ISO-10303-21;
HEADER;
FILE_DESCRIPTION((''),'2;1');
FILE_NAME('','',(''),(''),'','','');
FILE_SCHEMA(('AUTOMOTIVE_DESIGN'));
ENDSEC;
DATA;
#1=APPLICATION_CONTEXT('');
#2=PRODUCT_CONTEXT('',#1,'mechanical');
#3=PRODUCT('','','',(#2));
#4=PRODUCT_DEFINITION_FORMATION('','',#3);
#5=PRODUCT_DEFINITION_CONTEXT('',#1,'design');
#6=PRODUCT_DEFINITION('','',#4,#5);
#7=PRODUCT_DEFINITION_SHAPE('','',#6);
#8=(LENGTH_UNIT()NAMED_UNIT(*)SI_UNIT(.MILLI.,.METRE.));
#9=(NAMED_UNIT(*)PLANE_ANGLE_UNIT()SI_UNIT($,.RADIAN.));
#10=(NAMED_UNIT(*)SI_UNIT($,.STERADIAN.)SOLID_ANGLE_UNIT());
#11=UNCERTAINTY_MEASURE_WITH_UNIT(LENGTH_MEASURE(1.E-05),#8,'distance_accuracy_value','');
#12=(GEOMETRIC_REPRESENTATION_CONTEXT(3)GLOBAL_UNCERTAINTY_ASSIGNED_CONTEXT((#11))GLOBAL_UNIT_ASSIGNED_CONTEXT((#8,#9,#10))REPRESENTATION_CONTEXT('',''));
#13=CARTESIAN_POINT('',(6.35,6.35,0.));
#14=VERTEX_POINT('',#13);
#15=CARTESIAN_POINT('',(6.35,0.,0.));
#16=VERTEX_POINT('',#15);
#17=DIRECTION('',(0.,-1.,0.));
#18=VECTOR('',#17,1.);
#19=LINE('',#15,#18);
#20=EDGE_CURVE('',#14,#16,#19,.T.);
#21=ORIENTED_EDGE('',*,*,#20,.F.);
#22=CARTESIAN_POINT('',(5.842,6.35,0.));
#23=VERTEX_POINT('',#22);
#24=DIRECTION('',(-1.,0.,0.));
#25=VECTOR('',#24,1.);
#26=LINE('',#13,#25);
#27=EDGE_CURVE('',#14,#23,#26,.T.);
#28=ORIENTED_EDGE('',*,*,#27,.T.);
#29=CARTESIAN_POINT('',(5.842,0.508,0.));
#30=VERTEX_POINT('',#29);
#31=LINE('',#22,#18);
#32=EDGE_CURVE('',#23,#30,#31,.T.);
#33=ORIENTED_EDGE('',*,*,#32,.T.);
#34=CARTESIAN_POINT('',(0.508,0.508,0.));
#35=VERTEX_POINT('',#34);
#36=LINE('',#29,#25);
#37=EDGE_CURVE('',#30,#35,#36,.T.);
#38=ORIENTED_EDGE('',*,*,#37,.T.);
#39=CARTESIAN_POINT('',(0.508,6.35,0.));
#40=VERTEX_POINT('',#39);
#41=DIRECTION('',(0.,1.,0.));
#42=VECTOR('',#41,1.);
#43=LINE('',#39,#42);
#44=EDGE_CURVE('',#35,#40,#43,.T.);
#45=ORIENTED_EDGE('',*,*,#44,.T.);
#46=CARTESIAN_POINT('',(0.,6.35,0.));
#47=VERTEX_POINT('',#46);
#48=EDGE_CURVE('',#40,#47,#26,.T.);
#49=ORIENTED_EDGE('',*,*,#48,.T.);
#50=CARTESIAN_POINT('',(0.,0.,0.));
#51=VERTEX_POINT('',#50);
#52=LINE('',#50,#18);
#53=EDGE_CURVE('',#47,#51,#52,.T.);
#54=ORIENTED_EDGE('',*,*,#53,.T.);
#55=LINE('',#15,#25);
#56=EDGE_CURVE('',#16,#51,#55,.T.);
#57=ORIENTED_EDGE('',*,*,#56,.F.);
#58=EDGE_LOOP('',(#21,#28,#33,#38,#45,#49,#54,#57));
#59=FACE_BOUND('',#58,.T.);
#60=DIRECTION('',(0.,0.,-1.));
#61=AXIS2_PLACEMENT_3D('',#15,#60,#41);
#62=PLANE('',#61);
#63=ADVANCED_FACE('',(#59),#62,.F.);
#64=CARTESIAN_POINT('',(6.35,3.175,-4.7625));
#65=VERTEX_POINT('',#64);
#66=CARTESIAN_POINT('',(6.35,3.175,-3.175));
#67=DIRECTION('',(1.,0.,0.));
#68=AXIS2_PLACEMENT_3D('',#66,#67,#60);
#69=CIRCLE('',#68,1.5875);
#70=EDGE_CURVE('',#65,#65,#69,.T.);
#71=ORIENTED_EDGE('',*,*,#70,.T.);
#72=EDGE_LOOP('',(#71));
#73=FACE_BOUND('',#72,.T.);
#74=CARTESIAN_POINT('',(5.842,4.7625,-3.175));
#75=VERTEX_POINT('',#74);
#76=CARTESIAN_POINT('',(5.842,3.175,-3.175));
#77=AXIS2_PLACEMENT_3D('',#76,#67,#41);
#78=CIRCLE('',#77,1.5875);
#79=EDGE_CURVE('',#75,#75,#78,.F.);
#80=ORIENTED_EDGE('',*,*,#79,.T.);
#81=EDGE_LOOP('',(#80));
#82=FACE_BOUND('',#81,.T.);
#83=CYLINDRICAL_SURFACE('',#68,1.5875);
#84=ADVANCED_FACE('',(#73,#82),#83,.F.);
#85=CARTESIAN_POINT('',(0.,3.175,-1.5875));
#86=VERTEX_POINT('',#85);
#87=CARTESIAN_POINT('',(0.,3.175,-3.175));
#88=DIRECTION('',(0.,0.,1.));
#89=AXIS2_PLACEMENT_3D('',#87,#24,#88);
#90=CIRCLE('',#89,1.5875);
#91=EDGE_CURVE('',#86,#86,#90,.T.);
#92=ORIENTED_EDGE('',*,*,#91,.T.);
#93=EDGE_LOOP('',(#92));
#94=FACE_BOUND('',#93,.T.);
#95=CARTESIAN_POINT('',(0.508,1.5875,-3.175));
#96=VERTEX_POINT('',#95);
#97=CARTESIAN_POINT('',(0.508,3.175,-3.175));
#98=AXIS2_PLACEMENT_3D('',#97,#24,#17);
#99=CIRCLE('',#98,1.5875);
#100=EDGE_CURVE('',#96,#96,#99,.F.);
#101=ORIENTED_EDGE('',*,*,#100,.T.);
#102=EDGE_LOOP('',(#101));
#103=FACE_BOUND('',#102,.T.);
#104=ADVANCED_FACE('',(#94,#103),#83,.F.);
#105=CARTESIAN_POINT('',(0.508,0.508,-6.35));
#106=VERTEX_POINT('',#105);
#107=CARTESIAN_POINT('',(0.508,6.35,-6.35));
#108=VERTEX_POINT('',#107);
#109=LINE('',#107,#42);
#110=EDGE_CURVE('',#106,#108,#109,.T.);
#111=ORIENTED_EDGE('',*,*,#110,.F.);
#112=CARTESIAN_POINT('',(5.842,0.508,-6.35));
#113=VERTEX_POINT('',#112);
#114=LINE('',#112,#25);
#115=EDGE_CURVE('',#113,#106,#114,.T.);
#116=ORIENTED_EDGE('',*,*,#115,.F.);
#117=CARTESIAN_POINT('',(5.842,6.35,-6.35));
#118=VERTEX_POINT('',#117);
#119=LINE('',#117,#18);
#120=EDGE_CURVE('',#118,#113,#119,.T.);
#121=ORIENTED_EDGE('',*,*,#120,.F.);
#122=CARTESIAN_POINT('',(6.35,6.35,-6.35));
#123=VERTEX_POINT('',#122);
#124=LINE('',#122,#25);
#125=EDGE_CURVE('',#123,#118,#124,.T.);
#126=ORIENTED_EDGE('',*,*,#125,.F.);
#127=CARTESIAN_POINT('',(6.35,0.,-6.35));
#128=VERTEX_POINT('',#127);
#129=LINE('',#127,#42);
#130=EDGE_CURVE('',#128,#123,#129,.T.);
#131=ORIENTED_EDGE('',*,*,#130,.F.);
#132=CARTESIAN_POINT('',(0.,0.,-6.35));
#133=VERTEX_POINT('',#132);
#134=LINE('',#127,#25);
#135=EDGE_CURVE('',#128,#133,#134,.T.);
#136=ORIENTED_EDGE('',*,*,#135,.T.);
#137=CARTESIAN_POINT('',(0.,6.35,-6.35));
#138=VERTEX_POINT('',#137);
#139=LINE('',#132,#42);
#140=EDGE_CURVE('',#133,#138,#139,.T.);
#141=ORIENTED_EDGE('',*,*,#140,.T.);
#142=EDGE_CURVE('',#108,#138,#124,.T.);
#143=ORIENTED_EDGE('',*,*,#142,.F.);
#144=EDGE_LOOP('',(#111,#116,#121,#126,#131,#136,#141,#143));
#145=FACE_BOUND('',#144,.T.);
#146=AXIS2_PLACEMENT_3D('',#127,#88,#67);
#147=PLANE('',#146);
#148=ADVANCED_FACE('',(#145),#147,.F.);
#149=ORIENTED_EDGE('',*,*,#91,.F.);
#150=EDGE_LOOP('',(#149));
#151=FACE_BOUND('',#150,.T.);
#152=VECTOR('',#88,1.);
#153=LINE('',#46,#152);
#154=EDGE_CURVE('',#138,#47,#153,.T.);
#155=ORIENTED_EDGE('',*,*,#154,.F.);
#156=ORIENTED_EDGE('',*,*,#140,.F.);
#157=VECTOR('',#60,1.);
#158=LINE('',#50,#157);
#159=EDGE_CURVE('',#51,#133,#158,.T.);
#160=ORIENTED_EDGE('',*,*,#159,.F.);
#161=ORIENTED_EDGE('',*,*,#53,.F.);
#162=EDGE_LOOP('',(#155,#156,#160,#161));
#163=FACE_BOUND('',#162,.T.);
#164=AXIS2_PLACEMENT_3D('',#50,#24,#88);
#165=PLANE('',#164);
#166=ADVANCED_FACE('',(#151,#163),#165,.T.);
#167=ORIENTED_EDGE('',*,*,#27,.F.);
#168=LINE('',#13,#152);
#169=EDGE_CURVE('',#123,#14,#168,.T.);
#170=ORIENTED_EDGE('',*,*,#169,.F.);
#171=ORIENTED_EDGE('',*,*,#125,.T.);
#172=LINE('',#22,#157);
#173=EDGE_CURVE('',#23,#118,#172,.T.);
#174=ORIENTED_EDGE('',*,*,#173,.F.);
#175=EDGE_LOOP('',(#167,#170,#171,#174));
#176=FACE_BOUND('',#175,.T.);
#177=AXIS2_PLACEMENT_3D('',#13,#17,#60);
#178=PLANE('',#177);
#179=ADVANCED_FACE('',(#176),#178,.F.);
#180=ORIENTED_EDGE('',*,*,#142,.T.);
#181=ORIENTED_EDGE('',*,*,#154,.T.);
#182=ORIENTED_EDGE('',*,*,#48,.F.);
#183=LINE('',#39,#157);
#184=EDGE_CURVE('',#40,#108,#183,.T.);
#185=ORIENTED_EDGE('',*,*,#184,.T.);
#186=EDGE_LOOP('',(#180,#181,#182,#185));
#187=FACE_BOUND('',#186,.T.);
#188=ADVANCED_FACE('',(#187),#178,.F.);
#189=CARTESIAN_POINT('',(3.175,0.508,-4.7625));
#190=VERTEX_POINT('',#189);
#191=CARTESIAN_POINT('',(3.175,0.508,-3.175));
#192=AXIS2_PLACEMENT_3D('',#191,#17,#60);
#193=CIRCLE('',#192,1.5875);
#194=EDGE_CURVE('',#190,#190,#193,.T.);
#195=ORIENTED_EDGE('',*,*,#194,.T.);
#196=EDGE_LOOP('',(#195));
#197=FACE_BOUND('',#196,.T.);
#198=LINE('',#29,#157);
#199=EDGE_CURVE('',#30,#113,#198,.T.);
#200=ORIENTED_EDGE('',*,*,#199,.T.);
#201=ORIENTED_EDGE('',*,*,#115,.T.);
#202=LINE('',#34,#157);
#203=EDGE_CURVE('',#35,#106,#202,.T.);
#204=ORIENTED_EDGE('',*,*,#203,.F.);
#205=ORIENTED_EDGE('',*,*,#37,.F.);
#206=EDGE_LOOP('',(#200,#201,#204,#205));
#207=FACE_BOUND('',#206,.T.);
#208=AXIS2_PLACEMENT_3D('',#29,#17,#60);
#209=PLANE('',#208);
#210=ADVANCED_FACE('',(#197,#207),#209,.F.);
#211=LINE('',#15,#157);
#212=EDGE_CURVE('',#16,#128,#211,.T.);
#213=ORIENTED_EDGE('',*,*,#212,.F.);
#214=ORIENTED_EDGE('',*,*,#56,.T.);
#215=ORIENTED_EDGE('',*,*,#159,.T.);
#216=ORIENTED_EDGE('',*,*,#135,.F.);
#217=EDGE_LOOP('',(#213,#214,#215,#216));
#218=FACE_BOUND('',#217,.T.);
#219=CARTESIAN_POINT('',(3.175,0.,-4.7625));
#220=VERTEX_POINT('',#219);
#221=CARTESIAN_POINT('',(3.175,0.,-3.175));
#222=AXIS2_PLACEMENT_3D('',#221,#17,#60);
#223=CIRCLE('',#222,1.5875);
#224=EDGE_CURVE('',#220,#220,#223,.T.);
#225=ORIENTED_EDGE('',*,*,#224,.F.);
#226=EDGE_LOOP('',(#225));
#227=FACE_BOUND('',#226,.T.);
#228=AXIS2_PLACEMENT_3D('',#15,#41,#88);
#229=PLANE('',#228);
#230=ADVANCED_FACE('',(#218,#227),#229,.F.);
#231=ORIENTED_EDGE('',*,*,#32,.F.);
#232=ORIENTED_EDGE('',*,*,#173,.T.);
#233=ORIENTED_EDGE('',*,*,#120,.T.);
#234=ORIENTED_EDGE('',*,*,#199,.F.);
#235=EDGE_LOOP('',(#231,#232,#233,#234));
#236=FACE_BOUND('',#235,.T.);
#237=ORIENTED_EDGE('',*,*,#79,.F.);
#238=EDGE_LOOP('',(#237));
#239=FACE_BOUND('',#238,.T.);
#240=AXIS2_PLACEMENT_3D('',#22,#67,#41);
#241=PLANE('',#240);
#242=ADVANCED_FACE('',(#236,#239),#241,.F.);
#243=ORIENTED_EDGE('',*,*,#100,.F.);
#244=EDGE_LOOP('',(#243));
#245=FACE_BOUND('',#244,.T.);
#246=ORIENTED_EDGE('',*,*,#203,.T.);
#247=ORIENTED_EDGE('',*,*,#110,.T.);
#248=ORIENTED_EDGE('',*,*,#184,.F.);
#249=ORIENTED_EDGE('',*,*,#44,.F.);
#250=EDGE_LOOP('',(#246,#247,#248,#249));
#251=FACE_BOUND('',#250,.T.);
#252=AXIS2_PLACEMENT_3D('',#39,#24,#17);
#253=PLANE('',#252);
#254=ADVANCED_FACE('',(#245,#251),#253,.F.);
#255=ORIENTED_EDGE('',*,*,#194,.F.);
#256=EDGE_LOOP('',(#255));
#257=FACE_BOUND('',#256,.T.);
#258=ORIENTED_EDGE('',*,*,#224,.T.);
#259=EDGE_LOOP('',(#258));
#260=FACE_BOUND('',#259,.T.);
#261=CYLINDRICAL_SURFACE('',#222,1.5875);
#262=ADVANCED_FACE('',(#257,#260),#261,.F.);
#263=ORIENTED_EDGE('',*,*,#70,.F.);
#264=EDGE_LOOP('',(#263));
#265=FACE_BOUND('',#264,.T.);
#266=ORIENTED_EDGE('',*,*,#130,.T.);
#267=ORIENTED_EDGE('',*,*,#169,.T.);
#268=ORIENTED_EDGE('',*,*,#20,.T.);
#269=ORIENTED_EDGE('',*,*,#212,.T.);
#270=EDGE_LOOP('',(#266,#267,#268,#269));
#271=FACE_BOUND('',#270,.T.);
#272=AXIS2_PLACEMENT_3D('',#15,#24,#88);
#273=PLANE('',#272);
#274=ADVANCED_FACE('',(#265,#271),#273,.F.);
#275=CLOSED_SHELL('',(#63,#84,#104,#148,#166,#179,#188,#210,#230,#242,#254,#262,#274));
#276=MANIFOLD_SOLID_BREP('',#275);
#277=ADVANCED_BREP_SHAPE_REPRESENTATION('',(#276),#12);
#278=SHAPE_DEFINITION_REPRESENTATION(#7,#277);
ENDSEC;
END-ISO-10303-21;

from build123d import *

# Parameters (mm, degrees)
SKETCH1_W                        = 6.35
SKETCH1_H                        = 6.35
BOSS_EXTRUDE1_DEPTH              = 6.35
F_1_8_0_125_DIAMETER_HOLE1_D     = 3.175
F_1_8_0_125_DIAMETER_HOLE1_DEPTH = 70.104
F_1_8_0_125_DIAMETER_HOLE1_TIP   = 0.953866233
SKETCH4_W                        = 5.334
SKETCH4_H                        = 5.842
CUT_EXTRUDE1_DEPTH               = 11.998522628
F_1_8_0_125_DIAMETER_HOLE2_D     = 3.175
F_1_8_0_125_DIAMETER_HOLE2_DEPTH = 70.104
F_1_8_0_125_DIAMETER_HOLE2_TIP   = 0.953866233


with BuildPart() as part:
    # Sketch1 → Boss-Extrude1 (new body)
    with BuildSketch(Plane(origin=(0, 0, 0), x_dir=(0, 0, -1), z_dir=(1, 0, 0))):
        with Locations((3.175, 3.175)):
            Rectangle(SKETCH1_W, SKETCH1_H)
    extrude(amount=BOSS_EXTRUDE1_DEPTH)

    # 1/8 (0.125) Diameter Hole1
    with Locations(Plane(origin=(6.35, 0, 0), x_dir=(0, 0, -1), z_dir=(1, 0, 0))):
        with Locations((3.175, 3.175)):
            Hole(F_1_8_0_125_DIAMETER_HOLE1_D / 2, depth=F_1_8_0_125_DIAMETER_HOLE1_DEPTH)
            with Locations((0, 0, -(F_1_8_0_125_DIAMETER_HOLE1_DEPTH + F_1_8_0_125_DIAMETER_HOLE1_TIP / 2))):  # 118° drill point
                Cone(0, F_1_8_0_125_DIAMETER_HOLE1_D / 2, F_1_8_0_125_DIAMETER_HOLE1_TIP, mode=Mode.SUBTRACT)

    # Sketch4 → Cut-Extrude1 (cut, through all)
    with BuildSketch(Plane(origin=(0, 0, -6.35), x_dir=(-1, 0, 0), z_dir=(0, 0, -1))):
        with Locations((-3.175, 3.429)):
            Rectangle(SKETCH4_W, SKETCH4_H)
    extrude(amount=-CUT_EXTRUDE1_DEPTH, mode=Mode.SUBTRACT)

    # 1/8 (0.125) Diameter Hole2
    with Locations(Plane(origin=(0, 0, 0), x_dir=(-1, 0, 0), z_dir=(0, -1, 0))):
        with Locations((-3.175, 3.175)):
            Hole(F_1_8_0_125_DIAMETER_HOLE2_D / 2, depth=F_1_8_0_125_DIAMETER_HOLE2_DEPTH)
            with Locations((0, 0, -(F_1_8_0_125_DIAMETER_HOLE2_DEPTH + F_1_8_0_125_DIAMETER_HOLE2_TIP / 2))):  # 118° drill point
                Cone(0, F_1_8_0_125_DIAMETER_HOLE2_D / 2, F_1_8_0_125_DIAMETER_HOLE2_TIP, mode=Mode.SUBTRACT)


solid = part.part
